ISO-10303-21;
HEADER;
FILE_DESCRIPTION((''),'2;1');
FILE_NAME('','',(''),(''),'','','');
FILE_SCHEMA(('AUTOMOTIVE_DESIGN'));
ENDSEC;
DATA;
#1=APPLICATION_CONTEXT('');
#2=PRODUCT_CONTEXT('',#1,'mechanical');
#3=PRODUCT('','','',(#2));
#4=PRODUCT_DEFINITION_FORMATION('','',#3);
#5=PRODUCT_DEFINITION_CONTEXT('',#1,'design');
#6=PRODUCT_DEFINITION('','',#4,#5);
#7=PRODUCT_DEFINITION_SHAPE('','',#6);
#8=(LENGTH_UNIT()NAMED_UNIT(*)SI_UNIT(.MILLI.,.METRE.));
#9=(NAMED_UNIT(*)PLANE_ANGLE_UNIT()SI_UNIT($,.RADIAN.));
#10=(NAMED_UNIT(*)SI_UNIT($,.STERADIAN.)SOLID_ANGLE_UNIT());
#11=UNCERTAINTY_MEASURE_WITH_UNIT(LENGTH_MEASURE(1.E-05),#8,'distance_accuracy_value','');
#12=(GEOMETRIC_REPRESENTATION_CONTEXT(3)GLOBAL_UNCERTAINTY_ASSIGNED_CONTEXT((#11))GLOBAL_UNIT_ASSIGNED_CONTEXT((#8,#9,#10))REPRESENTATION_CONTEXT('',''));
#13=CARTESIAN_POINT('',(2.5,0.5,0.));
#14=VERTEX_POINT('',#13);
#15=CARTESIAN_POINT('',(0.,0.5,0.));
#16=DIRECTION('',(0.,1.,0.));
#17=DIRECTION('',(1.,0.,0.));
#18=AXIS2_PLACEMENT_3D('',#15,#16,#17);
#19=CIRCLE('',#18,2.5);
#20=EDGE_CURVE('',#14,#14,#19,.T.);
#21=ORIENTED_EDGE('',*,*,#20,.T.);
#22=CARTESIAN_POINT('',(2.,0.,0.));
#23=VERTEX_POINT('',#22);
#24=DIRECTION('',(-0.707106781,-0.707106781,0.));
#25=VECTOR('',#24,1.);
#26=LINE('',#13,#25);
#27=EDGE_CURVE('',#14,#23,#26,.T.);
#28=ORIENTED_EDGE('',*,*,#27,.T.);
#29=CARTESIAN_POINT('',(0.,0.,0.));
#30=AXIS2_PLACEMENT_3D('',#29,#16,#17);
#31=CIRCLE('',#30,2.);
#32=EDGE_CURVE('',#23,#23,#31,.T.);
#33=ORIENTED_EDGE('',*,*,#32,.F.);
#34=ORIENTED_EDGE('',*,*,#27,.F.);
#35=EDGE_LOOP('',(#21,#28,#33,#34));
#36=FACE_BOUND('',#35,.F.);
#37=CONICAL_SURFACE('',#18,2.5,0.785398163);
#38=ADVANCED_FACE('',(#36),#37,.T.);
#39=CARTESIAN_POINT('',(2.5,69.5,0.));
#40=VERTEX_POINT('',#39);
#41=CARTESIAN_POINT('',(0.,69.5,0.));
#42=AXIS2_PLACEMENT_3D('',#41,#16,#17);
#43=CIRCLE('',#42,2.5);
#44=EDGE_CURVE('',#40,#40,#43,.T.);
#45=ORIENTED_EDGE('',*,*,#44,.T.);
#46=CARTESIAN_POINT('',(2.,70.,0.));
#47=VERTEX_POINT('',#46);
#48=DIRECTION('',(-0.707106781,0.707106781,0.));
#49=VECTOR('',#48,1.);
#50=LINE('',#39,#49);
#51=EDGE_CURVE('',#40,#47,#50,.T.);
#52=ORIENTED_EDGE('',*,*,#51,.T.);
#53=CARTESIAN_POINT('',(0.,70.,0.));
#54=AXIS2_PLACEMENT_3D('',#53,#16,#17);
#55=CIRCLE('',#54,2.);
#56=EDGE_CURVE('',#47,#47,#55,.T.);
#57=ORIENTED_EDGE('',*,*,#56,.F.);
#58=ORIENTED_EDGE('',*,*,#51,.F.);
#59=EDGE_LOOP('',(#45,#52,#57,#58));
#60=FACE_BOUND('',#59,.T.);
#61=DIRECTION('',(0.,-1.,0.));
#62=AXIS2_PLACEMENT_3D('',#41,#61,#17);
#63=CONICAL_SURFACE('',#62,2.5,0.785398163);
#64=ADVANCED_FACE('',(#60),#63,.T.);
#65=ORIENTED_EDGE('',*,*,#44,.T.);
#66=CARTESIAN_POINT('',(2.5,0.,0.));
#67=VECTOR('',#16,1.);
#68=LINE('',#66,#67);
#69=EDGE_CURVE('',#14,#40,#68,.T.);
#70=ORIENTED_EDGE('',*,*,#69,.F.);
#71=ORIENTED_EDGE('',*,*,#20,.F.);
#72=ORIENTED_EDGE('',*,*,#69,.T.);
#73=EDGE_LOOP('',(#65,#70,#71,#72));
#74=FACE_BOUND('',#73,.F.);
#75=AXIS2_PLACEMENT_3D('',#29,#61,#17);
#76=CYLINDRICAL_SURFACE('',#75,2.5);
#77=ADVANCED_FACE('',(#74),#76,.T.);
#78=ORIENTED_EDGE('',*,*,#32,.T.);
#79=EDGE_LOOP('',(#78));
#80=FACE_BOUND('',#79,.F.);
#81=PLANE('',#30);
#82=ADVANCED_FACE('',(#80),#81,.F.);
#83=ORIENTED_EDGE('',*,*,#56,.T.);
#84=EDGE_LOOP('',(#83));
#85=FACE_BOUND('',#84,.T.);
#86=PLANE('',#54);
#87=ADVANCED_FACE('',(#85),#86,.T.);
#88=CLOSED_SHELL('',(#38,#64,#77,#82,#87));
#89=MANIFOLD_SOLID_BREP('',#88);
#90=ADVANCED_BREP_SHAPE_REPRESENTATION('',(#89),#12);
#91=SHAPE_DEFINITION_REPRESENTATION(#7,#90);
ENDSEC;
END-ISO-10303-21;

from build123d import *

# Parameters (mm, degrees)
SKETCH1_R           = 2.5
BOSS_EXTRUDE1_DEPTH = 70
CHAMFER1_SIZE       = 0.5


with BuildPart() as part:
    # Sketch1 → Boss-Extrude1 (new body)
    with BuildSketch(Plane(origin=(0, 0, 0), x_dir=(1, 0, 0), z_dir=(0, 1, 0))):
        Circle(SKETCH1_R)
    extrude(amount=BOSS_EXTRUDE1_DEPTH)

    # Chamfer1
    chamfer1_edges = [part.edges().sort_by_distance(p)[0] for p in [
        (-2.5, 0, 0),
        (-2.5, 70, 0),
    ]]
    chamfer(chamfer1_edges, length=CHAMFER1_SIZE)


solid = part.part
